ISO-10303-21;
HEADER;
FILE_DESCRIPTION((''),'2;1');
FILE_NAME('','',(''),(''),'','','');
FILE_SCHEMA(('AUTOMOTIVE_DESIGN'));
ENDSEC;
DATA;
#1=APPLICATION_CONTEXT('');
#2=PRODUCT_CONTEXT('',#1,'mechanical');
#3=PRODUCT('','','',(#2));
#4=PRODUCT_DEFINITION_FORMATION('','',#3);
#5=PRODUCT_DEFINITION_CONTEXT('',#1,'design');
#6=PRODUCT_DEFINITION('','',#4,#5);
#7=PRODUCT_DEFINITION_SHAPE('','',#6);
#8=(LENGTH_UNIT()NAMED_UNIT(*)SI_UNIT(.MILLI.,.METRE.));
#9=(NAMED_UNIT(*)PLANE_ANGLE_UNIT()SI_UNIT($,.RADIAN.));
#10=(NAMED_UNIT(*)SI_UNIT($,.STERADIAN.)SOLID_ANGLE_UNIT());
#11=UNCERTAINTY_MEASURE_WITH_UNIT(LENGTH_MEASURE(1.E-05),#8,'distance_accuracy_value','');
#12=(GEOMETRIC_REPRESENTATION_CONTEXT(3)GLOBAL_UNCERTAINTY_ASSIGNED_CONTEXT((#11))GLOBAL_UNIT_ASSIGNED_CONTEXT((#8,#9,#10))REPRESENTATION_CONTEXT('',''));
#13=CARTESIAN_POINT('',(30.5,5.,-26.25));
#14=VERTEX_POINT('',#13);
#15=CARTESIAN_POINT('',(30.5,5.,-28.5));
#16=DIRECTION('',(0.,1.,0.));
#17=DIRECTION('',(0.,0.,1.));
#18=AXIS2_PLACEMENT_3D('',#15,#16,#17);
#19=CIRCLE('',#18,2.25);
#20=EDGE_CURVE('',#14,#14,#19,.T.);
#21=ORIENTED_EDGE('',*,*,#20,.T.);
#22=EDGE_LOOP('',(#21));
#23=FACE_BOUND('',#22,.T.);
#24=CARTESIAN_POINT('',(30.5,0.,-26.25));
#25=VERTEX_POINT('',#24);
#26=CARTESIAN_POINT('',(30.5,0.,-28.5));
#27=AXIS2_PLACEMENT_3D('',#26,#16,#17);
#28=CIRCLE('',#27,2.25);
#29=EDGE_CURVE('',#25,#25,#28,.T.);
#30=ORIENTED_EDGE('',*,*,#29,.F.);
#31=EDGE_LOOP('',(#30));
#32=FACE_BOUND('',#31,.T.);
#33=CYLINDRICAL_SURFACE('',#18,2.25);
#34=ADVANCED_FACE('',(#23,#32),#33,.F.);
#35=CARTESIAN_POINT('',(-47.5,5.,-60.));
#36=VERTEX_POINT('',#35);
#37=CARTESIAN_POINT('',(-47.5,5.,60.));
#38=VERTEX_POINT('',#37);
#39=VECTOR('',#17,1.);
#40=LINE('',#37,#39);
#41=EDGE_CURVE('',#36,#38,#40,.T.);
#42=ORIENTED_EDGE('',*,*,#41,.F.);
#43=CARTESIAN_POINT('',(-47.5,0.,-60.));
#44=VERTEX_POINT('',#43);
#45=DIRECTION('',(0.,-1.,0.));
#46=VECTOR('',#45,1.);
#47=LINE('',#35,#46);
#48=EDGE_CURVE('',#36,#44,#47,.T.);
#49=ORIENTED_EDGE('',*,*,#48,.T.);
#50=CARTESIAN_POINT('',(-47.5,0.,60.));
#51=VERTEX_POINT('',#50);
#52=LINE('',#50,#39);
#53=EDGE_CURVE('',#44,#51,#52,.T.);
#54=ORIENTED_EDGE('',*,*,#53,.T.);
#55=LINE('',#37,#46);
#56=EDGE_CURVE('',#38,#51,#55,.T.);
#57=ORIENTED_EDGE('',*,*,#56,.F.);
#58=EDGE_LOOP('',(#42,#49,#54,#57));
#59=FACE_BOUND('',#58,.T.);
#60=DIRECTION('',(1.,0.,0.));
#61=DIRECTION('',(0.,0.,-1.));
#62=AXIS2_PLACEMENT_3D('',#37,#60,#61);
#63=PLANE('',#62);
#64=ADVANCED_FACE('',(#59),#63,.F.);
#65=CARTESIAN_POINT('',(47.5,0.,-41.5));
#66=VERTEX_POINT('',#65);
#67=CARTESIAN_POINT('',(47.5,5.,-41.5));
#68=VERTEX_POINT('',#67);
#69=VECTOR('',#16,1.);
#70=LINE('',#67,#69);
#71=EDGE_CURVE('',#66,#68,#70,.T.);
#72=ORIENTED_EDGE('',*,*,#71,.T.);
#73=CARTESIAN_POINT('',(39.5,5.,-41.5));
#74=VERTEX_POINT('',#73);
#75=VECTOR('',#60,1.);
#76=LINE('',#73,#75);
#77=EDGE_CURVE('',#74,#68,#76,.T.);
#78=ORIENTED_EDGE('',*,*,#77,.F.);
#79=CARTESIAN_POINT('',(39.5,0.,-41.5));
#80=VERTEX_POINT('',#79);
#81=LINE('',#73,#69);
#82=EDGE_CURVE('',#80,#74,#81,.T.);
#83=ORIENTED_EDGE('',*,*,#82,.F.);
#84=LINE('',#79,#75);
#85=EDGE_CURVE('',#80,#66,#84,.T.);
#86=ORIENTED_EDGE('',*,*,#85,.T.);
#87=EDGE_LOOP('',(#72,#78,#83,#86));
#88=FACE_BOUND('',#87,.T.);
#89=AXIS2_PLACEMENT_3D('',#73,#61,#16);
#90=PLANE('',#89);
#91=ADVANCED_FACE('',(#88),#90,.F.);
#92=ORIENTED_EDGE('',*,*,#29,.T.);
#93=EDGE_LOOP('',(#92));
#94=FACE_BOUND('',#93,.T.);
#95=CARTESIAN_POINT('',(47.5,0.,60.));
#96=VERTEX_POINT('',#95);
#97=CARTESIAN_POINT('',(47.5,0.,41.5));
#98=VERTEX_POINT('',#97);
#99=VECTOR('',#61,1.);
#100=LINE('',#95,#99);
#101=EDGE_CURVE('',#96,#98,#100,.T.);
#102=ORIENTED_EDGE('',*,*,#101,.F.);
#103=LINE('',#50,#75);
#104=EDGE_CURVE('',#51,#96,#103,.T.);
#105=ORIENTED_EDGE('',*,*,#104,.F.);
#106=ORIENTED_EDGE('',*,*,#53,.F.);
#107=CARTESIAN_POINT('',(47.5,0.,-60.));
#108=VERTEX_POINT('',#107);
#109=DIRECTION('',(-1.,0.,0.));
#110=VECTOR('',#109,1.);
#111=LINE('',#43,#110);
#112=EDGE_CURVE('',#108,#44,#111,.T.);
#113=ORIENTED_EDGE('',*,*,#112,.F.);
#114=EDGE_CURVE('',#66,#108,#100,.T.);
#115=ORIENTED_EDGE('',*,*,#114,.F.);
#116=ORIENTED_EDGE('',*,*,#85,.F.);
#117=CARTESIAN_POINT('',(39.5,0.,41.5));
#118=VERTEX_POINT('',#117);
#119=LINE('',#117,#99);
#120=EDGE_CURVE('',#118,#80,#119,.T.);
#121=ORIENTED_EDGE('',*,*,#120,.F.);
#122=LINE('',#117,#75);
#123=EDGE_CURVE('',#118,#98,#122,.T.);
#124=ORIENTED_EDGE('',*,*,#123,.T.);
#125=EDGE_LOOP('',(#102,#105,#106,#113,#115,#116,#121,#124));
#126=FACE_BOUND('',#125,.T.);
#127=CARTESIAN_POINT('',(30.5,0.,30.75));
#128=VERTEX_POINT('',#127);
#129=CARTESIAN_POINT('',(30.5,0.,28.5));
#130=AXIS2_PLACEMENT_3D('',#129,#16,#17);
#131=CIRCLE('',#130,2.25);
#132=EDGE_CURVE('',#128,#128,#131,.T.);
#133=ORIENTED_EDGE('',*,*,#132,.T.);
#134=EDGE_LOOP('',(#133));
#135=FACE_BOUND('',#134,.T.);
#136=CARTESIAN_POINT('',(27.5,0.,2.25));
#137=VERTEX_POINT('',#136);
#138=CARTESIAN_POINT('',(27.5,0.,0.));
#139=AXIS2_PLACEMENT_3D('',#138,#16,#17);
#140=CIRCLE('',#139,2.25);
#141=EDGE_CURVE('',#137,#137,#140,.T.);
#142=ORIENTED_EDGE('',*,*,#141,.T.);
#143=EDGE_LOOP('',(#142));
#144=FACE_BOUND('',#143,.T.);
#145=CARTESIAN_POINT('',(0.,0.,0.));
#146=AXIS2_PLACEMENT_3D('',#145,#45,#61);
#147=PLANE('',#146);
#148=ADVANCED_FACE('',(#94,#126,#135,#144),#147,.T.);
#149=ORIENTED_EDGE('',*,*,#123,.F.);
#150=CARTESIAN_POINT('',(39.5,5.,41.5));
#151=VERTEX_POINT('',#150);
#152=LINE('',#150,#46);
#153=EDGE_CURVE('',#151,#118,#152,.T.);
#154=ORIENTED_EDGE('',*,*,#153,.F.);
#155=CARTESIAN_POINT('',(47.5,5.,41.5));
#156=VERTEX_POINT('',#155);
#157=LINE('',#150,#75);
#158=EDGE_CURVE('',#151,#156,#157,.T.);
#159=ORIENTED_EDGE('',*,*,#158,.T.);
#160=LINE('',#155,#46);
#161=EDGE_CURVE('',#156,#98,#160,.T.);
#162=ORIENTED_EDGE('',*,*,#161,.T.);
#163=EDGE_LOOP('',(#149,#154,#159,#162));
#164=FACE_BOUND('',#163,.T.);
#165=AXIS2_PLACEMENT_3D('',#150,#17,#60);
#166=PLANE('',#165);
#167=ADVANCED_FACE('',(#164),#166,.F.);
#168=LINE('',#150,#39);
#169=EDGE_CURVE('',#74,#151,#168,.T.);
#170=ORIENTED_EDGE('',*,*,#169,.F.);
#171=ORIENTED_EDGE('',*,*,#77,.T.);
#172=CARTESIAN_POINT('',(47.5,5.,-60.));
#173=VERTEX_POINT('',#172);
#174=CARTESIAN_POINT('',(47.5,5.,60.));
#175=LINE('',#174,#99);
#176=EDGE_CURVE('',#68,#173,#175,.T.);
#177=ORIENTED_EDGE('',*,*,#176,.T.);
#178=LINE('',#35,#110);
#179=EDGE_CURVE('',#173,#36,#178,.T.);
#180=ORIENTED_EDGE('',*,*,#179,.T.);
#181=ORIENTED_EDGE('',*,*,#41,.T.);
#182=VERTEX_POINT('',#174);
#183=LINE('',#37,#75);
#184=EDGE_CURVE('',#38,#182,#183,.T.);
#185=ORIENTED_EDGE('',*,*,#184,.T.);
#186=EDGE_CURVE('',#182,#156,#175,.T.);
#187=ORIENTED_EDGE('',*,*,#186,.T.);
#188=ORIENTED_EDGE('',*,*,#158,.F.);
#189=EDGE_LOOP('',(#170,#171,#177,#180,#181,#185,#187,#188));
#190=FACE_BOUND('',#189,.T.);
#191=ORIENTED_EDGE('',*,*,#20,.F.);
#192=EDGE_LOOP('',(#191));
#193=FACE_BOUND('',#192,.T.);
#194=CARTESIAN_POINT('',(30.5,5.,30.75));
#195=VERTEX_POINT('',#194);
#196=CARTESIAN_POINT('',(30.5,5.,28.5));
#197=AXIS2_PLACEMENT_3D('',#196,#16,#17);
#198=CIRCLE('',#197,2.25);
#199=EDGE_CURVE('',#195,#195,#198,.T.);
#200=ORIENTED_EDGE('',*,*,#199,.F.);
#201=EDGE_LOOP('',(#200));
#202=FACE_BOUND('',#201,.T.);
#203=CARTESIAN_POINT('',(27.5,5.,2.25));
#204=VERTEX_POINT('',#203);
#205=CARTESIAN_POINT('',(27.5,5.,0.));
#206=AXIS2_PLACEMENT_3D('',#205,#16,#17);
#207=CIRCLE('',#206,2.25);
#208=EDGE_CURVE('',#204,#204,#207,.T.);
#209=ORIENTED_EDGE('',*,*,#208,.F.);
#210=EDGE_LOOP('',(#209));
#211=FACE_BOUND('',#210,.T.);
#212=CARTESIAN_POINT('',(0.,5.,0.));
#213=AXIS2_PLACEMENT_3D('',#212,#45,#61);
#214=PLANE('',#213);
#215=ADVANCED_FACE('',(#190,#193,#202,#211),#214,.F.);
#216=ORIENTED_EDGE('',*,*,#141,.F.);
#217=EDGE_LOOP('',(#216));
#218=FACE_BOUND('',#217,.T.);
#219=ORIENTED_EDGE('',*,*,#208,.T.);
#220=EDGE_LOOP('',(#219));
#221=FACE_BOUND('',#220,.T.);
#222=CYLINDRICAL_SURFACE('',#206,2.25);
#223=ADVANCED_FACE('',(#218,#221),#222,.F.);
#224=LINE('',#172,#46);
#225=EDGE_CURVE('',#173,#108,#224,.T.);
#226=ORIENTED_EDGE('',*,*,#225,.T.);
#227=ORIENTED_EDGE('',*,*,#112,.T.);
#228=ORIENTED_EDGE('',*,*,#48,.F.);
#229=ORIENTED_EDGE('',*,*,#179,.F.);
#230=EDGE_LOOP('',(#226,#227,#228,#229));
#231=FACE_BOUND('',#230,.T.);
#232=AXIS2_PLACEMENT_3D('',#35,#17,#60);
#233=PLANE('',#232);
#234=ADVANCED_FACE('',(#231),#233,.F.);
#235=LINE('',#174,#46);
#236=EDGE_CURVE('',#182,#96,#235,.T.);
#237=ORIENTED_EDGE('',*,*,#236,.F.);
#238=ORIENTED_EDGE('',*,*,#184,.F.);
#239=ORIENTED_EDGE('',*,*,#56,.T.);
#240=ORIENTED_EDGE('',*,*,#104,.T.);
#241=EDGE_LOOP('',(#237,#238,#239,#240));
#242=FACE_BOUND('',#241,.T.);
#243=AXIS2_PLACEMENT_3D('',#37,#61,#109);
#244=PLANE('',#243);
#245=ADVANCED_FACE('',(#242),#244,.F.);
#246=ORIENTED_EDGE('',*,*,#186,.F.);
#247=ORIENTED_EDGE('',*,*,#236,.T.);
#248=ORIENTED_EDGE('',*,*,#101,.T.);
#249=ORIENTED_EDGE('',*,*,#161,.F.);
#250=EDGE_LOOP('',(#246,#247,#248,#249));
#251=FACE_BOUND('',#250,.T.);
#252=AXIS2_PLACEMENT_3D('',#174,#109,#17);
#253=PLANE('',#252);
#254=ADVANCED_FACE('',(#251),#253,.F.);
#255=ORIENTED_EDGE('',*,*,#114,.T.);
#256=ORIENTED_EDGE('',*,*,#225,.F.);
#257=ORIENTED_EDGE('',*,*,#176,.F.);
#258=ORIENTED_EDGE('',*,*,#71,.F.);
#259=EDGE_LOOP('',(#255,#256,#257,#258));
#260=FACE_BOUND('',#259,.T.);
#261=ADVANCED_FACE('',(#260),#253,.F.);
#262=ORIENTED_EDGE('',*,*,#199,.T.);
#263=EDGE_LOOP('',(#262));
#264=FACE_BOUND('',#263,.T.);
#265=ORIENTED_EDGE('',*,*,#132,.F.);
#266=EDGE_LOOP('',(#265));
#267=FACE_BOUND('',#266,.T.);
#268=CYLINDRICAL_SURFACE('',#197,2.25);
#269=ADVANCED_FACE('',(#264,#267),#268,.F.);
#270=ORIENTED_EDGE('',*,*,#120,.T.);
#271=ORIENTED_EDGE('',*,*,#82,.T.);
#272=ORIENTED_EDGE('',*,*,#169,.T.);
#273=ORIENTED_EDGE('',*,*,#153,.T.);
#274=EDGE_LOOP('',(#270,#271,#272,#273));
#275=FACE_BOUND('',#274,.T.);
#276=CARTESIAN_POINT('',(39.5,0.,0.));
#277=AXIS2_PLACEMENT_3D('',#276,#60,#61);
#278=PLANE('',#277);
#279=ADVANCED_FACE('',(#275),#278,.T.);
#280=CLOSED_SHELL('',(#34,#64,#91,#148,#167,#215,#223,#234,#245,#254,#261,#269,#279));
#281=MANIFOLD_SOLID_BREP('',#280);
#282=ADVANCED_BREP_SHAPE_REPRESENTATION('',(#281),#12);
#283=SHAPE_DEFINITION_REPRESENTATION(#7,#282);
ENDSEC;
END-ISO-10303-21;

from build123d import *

# Parameters (mm, degrees)
SKETCH1_W                  = 95
SKETCH1_H                  = 120
BOSS_EXTRUDE1_DEPTH        = 5
SKETCH2_W                  = 83
SKETCH2_H                  = 5
CUT_EXTRUDE1_DEPTH         = 8
F_4_5_4_5_DIAMETER_HOLE1_D = 4.5


with BuildPart() as part:
    # Sketch1 → Boss-Extrude1 (new body)
    with BuildSketch(Plane(origin=(0, 0, 0), x_dir=(1, 0, 0), z_dir=(0, 1, 0))):
        Rectangle(SKETCH1_W, SKETCH1_H)
    extrude(amount=BOSS_EXTRUDE1_DEPTH)

    # Sketch2 → Cut-Extrude1 (cut)
    with BuildSketch(Plane(origin=(47.5, 0, 0), x_dir=(0, 0, -1), z_dir=(1, 0, 0))):
        with Locations((0, 2.5)):
            Rectangle(SKETCH2_W, SKETCH2_H)
    extrude(amount=-CUT_EXTRUDE1_DEPTH, mode=Mode.SUBTRACT)

    # Ø4.5 (4.5) Diameter Hole1 (through all)
    with Locations(Plane(origin=(0, 5, 0), x_dir=(1, 0, 0), z_dir=(0, 1, 0))):
        with Locations((30.5, 28.5), (27.5, 0), (30.5, -28.5)):
            Hole(F_4_5_4_5_DIAMETER_HOLE1_D / 2)


solid = part.part
